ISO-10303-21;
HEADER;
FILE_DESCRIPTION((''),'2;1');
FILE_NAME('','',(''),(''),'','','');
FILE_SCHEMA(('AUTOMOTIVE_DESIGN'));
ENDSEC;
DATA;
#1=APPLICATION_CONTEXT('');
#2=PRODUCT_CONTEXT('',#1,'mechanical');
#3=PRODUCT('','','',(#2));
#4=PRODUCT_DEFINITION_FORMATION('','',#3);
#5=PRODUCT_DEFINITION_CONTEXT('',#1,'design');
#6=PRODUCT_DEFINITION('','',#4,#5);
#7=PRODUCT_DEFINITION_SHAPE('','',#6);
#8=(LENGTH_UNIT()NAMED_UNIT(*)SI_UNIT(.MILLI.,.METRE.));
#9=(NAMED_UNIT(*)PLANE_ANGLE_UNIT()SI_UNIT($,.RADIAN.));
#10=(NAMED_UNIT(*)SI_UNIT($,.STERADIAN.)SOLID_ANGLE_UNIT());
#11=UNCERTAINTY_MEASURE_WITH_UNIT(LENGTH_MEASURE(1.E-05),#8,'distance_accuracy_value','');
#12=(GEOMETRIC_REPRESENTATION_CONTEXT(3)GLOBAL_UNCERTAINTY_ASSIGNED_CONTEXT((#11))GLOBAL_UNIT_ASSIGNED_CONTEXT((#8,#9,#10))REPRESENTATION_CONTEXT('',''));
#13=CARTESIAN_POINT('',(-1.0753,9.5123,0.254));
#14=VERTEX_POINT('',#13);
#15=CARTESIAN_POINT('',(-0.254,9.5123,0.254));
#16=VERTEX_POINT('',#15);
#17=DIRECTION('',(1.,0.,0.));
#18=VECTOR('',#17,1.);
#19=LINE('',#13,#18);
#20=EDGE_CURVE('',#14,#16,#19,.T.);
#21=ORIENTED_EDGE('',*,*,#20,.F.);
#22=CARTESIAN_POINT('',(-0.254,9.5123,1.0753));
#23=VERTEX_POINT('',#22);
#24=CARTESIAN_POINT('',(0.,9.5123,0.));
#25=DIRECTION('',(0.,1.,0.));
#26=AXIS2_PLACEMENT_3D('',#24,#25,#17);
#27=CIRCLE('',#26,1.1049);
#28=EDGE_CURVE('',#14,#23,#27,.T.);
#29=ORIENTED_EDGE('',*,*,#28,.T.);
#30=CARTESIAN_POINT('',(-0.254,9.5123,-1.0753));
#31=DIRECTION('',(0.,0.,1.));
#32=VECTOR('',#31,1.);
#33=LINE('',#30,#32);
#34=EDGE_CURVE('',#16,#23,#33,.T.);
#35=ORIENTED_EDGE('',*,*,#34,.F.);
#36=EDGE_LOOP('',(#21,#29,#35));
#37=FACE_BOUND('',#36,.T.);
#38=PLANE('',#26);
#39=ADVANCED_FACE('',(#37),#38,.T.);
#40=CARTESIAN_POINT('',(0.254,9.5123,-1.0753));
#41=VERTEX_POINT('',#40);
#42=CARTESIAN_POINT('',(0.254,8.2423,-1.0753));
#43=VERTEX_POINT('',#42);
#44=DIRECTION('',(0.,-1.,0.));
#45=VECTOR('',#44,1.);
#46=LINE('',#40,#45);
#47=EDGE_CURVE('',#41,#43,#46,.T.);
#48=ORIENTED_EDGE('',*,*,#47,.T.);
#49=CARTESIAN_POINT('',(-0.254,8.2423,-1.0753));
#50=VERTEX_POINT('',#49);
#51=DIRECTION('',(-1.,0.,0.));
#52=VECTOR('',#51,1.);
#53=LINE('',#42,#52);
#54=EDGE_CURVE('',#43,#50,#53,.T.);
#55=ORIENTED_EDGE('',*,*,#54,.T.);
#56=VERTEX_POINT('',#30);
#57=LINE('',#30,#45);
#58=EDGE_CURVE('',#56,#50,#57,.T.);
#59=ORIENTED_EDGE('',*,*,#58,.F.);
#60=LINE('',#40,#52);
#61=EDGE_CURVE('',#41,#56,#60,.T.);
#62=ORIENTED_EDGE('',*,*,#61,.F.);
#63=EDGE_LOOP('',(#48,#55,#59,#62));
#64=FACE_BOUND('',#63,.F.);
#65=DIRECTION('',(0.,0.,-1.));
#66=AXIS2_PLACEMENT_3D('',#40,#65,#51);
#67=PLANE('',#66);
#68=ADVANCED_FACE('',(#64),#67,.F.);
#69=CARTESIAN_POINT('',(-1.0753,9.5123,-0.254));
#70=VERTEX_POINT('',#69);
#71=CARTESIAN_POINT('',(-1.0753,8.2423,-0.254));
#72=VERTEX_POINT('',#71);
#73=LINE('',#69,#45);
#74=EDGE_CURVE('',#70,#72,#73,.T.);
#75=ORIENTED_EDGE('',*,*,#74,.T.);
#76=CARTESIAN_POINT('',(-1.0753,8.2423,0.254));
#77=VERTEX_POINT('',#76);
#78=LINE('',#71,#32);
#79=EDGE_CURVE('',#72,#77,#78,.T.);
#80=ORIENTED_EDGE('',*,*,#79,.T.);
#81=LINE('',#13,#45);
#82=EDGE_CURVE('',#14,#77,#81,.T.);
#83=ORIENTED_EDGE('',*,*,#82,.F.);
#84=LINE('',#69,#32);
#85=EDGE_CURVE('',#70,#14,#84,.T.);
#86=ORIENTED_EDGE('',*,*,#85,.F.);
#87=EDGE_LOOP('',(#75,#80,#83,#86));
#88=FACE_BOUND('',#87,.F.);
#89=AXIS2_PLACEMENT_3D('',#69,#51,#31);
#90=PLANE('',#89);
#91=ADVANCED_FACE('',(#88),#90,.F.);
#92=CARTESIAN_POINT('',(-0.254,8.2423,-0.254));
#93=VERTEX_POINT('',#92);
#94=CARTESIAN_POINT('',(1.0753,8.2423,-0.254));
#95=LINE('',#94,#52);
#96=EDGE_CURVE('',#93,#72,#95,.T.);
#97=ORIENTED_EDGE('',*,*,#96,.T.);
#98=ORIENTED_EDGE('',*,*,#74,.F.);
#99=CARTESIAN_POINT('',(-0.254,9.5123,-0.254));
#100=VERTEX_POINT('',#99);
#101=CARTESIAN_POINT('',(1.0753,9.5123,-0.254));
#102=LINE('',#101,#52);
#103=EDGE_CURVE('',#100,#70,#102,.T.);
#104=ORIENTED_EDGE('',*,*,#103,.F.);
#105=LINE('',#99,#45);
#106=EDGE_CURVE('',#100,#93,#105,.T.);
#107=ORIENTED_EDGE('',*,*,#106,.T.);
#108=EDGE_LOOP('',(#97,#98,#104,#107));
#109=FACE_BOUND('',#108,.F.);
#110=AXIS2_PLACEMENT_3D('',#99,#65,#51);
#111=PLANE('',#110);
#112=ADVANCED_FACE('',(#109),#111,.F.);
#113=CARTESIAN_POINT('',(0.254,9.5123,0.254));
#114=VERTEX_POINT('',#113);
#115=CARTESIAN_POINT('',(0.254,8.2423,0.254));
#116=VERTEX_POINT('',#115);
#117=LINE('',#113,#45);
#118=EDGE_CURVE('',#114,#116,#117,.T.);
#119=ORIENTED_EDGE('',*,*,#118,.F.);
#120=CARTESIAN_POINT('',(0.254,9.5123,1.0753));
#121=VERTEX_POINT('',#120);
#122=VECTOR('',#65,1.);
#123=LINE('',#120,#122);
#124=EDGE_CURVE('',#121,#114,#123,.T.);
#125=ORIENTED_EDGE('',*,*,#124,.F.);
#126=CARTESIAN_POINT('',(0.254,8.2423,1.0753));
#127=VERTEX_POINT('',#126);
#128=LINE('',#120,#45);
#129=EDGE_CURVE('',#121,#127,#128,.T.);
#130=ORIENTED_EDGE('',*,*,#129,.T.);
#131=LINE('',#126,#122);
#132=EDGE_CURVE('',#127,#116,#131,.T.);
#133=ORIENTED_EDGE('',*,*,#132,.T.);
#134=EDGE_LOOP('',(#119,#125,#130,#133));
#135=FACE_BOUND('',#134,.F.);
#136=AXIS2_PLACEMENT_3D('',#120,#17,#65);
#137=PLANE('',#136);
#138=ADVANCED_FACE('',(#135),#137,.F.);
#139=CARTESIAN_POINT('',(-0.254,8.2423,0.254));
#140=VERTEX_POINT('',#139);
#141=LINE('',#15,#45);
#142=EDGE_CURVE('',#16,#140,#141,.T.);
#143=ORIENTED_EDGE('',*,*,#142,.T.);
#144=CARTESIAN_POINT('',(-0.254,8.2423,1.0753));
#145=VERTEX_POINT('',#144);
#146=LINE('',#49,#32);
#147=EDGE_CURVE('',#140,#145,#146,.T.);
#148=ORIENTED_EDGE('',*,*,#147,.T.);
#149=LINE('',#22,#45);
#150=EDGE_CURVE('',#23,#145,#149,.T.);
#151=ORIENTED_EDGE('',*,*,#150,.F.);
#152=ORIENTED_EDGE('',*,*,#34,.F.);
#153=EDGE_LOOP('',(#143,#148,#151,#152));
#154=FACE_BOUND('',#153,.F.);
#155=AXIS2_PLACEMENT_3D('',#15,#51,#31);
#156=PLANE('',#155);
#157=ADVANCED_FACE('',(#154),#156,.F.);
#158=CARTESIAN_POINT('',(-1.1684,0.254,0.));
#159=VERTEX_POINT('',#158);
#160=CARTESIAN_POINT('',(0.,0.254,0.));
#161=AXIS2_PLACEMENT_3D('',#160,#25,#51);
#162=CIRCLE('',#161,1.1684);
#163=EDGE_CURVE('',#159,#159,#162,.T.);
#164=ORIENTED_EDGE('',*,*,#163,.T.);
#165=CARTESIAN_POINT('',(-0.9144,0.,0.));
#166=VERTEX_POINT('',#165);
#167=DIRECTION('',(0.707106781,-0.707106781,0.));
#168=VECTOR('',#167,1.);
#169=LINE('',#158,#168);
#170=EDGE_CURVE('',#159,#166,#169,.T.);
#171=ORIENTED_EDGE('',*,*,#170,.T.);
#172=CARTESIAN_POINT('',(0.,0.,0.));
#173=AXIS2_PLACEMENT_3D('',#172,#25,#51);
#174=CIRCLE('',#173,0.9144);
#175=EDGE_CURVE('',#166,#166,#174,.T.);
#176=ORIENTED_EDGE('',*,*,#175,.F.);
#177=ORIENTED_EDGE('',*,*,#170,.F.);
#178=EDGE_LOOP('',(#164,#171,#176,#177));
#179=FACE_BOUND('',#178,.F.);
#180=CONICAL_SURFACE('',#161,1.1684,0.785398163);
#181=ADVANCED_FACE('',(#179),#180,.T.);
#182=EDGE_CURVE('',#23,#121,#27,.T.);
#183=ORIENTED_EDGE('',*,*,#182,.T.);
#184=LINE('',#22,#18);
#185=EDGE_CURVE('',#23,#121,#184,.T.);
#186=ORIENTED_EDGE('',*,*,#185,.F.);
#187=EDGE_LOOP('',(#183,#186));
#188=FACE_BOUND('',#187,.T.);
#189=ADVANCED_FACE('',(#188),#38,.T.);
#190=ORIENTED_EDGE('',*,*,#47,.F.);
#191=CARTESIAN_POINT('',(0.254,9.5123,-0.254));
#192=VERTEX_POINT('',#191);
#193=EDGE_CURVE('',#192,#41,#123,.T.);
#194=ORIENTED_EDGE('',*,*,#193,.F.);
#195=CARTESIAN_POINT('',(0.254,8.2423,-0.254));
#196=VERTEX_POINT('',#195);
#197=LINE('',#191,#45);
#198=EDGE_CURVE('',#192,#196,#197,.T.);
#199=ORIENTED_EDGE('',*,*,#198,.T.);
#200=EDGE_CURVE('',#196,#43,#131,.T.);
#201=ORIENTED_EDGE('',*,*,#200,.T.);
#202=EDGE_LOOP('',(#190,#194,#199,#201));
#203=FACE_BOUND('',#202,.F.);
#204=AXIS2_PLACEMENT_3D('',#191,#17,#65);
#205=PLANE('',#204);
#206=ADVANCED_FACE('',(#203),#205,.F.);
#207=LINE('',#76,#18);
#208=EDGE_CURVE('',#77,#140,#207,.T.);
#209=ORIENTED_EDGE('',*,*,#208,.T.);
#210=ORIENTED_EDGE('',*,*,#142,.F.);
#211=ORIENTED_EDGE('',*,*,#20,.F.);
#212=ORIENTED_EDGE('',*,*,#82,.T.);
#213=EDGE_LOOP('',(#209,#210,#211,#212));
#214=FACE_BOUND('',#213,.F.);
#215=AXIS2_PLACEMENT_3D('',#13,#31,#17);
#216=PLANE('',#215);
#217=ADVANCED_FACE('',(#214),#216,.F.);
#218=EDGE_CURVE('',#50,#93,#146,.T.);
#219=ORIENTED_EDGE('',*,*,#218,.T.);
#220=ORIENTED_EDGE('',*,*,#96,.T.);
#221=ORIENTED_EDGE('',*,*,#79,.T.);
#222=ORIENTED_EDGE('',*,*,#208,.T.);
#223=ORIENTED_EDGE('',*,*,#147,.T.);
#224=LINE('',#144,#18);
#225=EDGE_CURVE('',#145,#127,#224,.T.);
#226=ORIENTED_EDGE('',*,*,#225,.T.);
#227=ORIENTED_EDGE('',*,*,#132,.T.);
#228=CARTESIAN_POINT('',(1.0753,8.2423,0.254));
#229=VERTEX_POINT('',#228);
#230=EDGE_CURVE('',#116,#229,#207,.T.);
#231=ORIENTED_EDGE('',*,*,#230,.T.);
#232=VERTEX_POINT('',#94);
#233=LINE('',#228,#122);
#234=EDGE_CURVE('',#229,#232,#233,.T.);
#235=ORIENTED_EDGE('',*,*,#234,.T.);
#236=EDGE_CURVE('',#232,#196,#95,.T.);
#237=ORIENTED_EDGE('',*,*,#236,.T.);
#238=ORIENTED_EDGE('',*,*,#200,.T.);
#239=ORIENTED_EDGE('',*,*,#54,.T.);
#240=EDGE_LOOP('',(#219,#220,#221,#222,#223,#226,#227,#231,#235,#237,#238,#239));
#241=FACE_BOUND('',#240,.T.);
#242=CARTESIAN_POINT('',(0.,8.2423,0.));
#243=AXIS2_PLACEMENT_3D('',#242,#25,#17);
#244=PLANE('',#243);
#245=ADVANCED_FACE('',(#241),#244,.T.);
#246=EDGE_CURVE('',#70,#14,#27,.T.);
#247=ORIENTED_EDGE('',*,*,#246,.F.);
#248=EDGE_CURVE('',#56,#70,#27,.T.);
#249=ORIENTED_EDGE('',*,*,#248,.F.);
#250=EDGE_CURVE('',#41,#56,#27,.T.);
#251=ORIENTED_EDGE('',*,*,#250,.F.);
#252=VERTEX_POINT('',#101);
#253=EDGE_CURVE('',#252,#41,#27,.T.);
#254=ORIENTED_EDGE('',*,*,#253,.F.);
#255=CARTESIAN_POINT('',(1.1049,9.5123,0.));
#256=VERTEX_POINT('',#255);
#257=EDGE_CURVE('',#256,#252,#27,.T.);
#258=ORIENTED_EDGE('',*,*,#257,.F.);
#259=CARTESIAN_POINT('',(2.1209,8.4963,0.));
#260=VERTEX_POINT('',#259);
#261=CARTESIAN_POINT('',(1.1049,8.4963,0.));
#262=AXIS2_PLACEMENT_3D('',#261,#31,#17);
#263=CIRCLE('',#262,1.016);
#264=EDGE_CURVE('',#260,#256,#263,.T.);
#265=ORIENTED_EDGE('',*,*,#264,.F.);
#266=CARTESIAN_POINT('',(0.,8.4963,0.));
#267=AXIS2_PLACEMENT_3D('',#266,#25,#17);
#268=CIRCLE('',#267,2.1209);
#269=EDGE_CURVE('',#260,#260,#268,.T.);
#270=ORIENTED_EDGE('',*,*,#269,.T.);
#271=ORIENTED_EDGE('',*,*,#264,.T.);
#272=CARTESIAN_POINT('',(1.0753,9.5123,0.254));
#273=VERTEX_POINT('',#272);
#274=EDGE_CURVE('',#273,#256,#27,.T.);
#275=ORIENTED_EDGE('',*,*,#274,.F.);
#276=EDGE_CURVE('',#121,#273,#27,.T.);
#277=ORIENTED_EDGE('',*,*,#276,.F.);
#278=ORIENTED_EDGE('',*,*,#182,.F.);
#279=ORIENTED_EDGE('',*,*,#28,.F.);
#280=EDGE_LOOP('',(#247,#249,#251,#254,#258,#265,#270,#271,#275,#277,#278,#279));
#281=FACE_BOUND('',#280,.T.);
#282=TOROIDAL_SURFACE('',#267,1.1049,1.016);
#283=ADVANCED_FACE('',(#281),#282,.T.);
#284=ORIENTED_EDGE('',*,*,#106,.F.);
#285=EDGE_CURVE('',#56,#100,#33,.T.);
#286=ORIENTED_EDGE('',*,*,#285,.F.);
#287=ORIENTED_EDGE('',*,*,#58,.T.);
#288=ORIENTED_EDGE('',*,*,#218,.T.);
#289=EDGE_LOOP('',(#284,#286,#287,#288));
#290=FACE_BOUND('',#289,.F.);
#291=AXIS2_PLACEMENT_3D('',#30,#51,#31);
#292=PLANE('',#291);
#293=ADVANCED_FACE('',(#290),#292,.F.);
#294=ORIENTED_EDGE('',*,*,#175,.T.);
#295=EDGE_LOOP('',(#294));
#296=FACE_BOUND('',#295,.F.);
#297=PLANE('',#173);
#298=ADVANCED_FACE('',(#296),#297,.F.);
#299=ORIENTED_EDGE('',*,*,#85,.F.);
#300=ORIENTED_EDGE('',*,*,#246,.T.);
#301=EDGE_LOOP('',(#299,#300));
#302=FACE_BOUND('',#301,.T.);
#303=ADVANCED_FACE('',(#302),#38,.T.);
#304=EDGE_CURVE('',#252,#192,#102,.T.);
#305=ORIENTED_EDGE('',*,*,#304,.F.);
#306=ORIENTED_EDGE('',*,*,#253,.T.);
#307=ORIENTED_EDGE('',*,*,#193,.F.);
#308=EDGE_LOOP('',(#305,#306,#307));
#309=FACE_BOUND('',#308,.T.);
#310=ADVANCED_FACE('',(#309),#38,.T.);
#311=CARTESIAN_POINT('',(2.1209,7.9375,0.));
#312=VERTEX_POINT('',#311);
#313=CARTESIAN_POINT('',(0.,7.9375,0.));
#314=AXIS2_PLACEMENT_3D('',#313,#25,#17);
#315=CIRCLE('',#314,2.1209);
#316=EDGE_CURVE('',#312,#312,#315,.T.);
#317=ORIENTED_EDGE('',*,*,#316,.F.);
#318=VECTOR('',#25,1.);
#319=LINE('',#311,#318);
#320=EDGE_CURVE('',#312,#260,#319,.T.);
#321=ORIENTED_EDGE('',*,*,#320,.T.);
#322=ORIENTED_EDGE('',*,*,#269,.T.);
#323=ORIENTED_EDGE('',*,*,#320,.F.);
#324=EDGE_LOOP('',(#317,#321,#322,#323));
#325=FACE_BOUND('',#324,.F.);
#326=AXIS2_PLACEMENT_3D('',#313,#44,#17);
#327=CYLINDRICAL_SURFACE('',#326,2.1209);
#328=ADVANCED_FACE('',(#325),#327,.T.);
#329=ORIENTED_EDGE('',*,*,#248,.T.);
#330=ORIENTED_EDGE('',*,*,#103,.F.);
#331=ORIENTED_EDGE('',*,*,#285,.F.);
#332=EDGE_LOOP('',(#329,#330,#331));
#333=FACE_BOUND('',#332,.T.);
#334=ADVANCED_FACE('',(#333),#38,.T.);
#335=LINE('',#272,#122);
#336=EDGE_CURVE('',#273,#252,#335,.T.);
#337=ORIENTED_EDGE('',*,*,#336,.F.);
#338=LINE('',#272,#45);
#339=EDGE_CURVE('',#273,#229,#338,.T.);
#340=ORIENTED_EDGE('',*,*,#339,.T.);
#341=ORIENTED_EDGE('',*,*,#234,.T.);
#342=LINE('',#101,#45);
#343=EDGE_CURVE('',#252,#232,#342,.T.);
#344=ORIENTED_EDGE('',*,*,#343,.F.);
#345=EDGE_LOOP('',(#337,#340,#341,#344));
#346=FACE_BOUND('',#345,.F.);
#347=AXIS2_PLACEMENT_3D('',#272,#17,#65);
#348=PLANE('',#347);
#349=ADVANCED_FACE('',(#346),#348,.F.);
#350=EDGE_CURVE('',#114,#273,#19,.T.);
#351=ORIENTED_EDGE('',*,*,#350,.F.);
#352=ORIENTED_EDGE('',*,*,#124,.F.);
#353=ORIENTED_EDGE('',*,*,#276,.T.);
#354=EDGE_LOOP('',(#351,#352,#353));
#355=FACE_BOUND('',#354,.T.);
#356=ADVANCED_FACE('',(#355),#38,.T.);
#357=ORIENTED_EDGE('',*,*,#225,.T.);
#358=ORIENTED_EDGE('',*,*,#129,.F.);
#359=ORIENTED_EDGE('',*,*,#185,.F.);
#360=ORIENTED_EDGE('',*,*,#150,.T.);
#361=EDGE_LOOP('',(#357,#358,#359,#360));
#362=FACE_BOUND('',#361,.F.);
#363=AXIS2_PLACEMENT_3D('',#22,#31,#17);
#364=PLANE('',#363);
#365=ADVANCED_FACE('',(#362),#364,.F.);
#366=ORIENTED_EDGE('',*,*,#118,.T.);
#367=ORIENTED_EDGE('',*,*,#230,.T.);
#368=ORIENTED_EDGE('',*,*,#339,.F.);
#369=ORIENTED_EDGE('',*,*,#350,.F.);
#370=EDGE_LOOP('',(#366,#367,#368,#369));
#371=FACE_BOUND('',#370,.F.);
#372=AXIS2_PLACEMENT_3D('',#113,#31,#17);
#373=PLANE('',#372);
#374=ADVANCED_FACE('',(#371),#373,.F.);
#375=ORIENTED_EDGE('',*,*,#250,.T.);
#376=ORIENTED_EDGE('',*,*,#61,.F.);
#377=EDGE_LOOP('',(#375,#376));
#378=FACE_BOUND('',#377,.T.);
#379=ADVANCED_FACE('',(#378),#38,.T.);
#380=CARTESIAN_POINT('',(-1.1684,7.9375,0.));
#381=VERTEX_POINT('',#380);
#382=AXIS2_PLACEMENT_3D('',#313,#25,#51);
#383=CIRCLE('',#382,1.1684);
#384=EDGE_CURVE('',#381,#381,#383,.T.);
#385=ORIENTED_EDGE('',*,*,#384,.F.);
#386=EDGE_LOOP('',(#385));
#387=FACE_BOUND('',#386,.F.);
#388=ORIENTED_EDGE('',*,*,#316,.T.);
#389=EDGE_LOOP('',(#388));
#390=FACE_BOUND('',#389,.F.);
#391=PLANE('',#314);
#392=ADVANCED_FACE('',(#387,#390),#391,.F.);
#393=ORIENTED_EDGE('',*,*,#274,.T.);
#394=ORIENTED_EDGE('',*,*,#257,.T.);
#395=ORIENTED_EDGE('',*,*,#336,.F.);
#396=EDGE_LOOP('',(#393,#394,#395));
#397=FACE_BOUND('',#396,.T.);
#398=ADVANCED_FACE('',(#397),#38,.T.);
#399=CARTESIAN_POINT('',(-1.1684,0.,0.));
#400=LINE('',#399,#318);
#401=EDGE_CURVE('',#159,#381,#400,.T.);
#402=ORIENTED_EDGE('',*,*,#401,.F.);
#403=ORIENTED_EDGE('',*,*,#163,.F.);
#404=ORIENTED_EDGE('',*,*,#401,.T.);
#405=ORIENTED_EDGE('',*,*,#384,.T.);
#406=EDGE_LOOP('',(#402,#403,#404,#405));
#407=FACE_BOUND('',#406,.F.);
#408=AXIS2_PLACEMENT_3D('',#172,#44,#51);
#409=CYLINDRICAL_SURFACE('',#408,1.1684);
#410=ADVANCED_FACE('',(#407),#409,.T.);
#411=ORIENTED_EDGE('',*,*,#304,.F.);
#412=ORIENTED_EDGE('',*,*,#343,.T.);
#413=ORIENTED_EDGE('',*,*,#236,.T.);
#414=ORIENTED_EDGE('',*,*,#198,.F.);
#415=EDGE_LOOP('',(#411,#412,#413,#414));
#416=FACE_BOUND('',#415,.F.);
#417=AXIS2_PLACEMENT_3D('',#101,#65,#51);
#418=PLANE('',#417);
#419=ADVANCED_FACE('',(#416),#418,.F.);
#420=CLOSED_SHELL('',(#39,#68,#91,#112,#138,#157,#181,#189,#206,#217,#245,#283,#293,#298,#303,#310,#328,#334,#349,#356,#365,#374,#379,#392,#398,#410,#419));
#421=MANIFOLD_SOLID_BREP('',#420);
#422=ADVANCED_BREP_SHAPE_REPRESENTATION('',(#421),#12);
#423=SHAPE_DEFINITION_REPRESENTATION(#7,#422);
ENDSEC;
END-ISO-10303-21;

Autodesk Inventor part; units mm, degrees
ref_plane "YZ Plane" through (0, 0, 0) normal (1, 0, 0) x (0, 1, 0)
ref_plane "XZ Plane" through (0, 0, 0) normal (0, 1, 0) x (-1, 0, 0)
ref_plane "XY Plane" through (0, 0, 0) normal (0, 0, 1) x (1, 0, 0)
sketch "Sketch1" plane through (0, 0, 0) normal (0, 1, 0) x (-1, 0, 0)
  circle A0 centre (0, 0) radius 1.1684
  dimension "d0" = 2.3368
extrude "Extrusion1" add sketch "Sketch1" along normal blind 7.9375
sketch "Sketch2" plane through (0, 7.9375, 0) normal (0, 1, 0) x (1, 0, 0)
  circle A0 centre (0, 0) radius 1.1684 projected
  circle A1 centre (0, 0) radius 2.1209
  dimension "d3" = 4.2418
extrude "Extrusion2" add sketch "Sketch2" along normal blind 1.5748 contours A0 | A1
fillet "Fillet1" radius 1.016 1 edges at (-2.1209, 9.5123, 0)
thread "Thread1" size "3-28" class "2B" standard "Inch Tapping Threads" full length
chamfer "Chamfer1" distance 0.254 angle 45 1 edges at (1.1684, 0, 0)
sketch "Sketch3" plane through (0, 9.5123, 0) normal (0, 1, 0) x (1, 0, 0)
  circle A0 centre (0, 0) radius 1.1049 projected
  line L0 (-0.254, -1.0753) -> (0.254, -1.0753)
  line L1 (0.254, -1.0753) -> (0.254, 1.0753)
  line L2 (0.254, 1.0753) -> (-0.254, 1.0753)
  line L3 (-0.254, 1.0753) -> (-0.254, -1.0753)
  line L4 (-1.0753, -0.254) -> (1.0753, -0.254)
  line L5 (1.0753, -0.254) -> (1.0753, 0.254)
  line L6 (1.0753, 0.254) -> (-1.0753, 0.254)
  line L7 (-1.0753, 0.254) -> (-1.0753, -0.254)
  point P0 (0, 1.0753)
  point P1 (1.0753, 0)
  dimension "d12" = 0.508
extrude "Extrusion3" cut sketch "Sketch3" against normal blind 1.27 contours L5 L4 L1 L6 | L1 L6 L3 L2 | L1 L4 L3 L6 | L0 L3 L4 L1 | L3 L4 L7 L6
properties part number "Screw"
